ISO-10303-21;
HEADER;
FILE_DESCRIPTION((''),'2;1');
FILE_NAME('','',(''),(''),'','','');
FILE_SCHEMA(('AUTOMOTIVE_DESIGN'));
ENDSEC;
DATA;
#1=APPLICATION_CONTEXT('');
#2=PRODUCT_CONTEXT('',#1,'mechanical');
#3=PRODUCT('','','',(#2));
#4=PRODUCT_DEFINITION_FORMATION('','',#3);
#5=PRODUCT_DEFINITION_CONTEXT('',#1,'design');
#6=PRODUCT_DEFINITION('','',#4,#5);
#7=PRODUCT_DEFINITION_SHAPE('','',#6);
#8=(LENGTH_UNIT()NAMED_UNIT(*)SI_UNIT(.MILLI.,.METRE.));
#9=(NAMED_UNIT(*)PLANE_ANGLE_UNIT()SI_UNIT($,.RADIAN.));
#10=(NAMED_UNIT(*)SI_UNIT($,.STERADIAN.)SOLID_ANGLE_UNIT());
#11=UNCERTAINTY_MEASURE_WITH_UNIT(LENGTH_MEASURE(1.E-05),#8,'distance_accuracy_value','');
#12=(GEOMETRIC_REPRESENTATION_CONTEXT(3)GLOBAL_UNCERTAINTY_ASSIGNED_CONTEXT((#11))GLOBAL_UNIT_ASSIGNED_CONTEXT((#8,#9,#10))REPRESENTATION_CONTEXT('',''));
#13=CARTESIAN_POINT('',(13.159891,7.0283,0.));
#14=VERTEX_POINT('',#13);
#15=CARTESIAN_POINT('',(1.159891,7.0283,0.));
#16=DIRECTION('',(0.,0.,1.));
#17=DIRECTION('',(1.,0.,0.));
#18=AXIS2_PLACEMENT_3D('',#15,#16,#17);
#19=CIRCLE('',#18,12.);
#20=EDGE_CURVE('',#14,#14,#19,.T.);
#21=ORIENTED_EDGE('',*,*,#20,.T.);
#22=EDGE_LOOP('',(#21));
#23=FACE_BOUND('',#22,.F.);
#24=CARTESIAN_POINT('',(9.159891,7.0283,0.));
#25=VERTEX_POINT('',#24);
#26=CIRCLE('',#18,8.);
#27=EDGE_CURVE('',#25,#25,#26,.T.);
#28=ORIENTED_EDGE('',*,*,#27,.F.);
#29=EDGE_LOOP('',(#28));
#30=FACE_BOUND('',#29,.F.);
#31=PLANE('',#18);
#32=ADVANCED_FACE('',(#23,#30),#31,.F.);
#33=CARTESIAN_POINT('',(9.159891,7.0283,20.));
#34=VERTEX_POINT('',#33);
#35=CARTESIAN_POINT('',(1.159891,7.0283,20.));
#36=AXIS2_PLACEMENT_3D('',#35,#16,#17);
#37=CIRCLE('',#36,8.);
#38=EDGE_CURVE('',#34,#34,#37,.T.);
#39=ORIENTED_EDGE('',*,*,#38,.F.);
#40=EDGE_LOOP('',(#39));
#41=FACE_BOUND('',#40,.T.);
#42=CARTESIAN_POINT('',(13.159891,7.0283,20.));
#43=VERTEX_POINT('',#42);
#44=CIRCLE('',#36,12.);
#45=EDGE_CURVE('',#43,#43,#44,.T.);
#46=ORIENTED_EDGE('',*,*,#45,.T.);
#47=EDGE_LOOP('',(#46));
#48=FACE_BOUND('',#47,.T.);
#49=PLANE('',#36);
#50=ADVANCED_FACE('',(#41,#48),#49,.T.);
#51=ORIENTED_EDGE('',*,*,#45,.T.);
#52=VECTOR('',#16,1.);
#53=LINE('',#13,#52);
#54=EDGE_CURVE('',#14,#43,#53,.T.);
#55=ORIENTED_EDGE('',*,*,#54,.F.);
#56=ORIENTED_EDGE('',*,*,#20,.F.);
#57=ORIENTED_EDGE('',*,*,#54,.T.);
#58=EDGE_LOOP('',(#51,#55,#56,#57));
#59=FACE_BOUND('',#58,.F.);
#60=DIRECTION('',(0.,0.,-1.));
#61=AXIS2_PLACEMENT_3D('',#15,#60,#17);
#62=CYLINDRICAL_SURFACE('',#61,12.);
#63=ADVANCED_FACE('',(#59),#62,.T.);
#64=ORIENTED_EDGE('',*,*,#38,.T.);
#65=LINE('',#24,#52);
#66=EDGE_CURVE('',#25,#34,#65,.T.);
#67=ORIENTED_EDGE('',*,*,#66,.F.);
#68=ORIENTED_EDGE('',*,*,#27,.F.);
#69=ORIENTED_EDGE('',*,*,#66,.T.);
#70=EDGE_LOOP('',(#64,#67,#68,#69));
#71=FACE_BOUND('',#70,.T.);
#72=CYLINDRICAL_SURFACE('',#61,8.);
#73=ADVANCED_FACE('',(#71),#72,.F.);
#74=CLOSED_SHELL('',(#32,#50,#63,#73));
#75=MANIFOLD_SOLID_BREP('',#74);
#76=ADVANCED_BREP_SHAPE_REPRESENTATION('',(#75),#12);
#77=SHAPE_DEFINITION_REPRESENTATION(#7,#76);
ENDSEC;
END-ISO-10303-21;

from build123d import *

# Parameters (mm, degrees)
F1_R     = 12
F1_R_2   = 8
F2_DEPTH = 20


with BuildPart() as f2:
    # F1 (on face) → F2 (new body)
    with BuildSketch(Plane.XY):
        with Locations((1.159891, 7.0283)):
            Circle(F1_R)
        with Locations((1.159891, 7.0283)):
            Circle(F1_R_2, mode=Mode.SUBTRACT)
    extrude(amount=F2_DEPTH)


solid = f2.part
